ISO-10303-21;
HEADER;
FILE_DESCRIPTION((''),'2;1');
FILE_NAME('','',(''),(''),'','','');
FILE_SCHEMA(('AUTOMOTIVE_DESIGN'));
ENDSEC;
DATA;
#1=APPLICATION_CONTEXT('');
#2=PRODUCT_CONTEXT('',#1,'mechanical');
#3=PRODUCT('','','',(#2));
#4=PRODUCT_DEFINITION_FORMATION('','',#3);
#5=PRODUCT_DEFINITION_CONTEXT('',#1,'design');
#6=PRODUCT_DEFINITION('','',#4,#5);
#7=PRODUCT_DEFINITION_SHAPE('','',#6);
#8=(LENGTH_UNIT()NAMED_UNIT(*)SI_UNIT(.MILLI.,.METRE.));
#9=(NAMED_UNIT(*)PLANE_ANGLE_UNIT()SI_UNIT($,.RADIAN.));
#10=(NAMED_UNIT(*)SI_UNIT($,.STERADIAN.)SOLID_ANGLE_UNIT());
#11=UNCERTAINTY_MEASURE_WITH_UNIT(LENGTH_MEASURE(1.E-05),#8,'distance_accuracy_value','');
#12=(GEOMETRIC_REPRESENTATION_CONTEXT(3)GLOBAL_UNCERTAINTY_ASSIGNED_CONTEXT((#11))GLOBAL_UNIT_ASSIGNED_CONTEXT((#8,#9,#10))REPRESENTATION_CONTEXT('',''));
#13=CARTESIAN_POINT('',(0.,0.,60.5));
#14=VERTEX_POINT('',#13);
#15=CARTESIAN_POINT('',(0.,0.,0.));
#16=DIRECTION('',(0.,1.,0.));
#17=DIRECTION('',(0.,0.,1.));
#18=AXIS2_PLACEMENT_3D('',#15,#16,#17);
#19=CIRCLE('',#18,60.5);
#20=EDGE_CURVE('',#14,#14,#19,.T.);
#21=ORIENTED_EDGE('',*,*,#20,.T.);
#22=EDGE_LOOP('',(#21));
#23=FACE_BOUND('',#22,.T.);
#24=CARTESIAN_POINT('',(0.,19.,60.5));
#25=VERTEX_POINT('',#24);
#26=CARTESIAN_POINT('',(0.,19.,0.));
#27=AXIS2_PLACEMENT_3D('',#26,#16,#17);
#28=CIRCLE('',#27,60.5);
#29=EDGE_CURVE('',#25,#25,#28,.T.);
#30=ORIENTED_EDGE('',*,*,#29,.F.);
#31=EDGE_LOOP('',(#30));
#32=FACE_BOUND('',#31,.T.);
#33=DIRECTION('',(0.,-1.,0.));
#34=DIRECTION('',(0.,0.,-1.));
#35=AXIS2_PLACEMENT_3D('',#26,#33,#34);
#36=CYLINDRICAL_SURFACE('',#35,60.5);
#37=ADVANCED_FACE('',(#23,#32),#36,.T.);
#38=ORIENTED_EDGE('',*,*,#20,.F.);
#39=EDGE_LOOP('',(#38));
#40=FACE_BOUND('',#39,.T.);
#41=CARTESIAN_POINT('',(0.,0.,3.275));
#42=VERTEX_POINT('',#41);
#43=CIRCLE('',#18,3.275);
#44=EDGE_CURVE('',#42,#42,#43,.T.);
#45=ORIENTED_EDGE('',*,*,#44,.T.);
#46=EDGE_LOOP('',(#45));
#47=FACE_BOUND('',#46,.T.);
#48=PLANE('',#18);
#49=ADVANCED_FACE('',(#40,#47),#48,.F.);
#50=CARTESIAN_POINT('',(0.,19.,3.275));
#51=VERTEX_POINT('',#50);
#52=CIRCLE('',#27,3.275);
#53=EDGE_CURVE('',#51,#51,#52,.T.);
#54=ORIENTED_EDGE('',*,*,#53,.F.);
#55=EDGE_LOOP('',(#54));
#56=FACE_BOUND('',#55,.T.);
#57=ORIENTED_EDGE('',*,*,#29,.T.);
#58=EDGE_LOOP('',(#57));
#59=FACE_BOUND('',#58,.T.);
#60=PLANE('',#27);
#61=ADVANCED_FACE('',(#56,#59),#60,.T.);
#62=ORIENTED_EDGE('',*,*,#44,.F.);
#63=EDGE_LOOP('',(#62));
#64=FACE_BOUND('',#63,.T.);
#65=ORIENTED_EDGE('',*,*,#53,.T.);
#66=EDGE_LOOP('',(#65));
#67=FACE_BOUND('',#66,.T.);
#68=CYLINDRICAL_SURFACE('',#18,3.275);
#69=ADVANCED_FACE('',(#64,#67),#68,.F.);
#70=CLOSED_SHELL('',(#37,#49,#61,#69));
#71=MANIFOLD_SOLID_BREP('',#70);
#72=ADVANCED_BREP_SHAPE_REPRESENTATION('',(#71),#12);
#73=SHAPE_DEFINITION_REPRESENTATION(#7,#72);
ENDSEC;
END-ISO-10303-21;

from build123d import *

# Parameters (mm, degrees)
SKETCH1_R           = 60.5
BOSS_EXTRUDE1_DEPTH = 19
SKETCH2_R           = 3.275
CUT_EXTRUDE2_DEPTH  = 20


with BuildPart() as part:
    # Sketch1 → Boss-Extrude1 (new body)
    with BuildSketch(Plane(origin=(0, 0, 0), x_dir=(1, 0, 0), z_dir=(0, 1, 0))):
        Circle(SKETCH1_R)
    extrude(amount=BOSS_EXTRUDE1_DEPTH)

    # Sketch2 → Cut-Extrude2 (cut, through all)
    with BuildSketch(Plane(origin=(0, 19, 0), x_dir=(1, 0, 0), z_dir=(0, 1, 0))):
        Circle(SKETCH2_R)
    extrude(amount=-CUT_EXTRUDE2_DEPTH, mode=Mode.SUBTRACT)


solid = part.part
